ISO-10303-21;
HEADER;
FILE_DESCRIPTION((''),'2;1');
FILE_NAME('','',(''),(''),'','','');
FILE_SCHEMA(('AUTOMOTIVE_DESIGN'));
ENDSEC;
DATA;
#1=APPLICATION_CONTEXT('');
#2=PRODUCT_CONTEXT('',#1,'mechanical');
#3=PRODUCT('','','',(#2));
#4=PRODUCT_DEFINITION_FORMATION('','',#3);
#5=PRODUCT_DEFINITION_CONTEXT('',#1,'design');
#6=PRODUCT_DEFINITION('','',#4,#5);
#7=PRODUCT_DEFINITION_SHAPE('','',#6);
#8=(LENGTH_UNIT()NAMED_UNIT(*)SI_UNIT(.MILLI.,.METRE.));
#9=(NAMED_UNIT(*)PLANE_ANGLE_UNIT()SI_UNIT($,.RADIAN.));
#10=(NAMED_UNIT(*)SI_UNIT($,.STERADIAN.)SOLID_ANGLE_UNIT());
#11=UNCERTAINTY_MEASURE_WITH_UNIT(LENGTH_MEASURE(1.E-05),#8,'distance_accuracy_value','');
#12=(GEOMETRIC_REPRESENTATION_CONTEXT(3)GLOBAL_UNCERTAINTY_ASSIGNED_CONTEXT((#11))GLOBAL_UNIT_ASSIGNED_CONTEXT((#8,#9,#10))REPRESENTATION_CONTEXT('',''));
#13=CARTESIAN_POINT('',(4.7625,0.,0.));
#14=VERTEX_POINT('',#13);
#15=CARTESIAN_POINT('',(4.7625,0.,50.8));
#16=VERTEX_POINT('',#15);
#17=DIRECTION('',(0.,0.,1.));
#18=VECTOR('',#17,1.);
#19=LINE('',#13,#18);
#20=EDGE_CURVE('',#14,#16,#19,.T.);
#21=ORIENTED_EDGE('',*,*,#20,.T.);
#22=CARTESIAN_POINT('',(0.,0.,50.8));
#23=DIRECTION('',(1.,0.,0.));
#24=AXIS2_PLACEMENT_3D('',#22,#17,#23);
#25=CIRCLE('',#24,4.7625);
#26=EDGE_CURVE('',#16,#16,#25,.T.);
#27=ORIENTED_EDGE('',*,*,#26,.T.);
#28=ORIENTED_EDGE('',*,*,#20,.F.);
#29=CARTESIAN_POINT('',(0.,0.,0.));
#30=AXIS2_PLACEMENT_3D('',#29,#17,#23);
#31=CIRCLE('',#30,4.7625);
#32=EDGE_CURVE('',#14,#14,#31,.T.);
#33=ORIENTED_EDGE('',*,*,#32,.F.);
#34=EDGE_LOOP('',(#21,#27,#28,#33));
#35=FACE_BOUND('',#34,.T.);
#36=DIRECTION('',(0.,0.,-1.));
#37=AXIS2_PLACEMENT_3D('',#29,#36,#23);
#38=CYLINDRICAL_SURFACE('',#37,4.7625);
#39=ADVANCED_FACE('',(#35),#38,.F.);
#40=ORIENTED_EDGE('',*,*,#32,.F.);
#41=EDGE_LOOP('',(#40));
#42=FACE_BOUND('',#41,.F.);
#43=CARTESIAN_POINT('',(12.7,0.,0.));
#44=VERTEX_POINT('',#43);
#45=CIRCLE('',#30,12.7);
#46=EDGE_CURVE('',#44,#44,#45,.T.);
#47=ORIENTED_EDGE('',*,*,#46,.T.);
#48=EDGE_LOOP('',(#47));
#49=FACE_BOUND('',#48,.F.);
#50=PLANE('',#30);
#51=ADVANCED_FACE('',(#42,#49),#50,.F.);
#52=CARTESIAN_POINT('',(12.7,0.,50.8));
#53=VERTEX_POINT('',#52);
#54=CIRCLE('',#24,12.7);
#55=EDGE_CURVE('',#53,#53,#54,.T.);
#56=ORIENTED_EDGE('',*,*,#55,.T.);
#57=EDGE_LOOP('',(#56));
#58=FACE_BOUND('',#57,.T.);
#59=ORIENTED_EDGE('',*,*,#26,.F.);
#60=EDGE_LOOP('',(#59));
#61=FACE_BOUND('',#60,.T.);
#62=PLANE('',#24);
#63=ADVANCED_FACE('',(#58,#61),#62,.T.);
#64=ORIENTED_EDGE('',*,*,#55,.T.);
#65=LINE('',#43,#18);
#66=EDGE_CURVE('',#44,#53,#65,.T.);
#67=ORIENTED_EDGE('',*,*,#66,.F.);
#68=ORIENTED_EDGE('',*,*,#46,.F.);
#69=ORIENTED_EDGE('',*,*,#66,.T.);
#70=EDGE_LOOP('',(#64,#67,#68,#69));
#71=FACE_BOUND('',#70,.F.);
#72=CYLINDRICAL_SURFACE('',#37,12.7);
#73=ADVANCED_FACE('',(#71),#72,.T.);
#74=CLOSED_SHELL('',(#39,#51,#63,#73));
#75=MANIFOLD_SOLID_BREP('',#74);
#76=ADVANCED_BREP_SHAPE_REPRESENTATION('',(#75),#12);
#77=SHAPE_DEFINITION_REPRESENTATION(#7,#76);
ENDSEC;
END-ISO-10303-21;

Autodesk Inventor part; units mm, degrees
ref_plane "YZ Plane" through (0, 0, 0) normal (1, 0, 0) x (0, 1, 0)
ref_plane "XZ Plane" through (0, 0, 0) normal (0, 1, 0) x (-1, 0, 0)
ref_plane "XY Plane" through (0, 0, 0) normal (0, 0, 1) x (1, 0, 0)
sketch "Sketch1" plane through (0, 0, 0) normal (0, 0, 1) x (1, 0, 0)
  circle A0 centre (0, 0) radius 12.7
  circle A1 centre (0, 0) radius 4.7625
  dimension "d0" = 25.4
  dimension "d3" = 9.525
extrude "Extrusion6" add sketch "Sketch1" along normal blind 50.8
properties part number "RollerBearing"
